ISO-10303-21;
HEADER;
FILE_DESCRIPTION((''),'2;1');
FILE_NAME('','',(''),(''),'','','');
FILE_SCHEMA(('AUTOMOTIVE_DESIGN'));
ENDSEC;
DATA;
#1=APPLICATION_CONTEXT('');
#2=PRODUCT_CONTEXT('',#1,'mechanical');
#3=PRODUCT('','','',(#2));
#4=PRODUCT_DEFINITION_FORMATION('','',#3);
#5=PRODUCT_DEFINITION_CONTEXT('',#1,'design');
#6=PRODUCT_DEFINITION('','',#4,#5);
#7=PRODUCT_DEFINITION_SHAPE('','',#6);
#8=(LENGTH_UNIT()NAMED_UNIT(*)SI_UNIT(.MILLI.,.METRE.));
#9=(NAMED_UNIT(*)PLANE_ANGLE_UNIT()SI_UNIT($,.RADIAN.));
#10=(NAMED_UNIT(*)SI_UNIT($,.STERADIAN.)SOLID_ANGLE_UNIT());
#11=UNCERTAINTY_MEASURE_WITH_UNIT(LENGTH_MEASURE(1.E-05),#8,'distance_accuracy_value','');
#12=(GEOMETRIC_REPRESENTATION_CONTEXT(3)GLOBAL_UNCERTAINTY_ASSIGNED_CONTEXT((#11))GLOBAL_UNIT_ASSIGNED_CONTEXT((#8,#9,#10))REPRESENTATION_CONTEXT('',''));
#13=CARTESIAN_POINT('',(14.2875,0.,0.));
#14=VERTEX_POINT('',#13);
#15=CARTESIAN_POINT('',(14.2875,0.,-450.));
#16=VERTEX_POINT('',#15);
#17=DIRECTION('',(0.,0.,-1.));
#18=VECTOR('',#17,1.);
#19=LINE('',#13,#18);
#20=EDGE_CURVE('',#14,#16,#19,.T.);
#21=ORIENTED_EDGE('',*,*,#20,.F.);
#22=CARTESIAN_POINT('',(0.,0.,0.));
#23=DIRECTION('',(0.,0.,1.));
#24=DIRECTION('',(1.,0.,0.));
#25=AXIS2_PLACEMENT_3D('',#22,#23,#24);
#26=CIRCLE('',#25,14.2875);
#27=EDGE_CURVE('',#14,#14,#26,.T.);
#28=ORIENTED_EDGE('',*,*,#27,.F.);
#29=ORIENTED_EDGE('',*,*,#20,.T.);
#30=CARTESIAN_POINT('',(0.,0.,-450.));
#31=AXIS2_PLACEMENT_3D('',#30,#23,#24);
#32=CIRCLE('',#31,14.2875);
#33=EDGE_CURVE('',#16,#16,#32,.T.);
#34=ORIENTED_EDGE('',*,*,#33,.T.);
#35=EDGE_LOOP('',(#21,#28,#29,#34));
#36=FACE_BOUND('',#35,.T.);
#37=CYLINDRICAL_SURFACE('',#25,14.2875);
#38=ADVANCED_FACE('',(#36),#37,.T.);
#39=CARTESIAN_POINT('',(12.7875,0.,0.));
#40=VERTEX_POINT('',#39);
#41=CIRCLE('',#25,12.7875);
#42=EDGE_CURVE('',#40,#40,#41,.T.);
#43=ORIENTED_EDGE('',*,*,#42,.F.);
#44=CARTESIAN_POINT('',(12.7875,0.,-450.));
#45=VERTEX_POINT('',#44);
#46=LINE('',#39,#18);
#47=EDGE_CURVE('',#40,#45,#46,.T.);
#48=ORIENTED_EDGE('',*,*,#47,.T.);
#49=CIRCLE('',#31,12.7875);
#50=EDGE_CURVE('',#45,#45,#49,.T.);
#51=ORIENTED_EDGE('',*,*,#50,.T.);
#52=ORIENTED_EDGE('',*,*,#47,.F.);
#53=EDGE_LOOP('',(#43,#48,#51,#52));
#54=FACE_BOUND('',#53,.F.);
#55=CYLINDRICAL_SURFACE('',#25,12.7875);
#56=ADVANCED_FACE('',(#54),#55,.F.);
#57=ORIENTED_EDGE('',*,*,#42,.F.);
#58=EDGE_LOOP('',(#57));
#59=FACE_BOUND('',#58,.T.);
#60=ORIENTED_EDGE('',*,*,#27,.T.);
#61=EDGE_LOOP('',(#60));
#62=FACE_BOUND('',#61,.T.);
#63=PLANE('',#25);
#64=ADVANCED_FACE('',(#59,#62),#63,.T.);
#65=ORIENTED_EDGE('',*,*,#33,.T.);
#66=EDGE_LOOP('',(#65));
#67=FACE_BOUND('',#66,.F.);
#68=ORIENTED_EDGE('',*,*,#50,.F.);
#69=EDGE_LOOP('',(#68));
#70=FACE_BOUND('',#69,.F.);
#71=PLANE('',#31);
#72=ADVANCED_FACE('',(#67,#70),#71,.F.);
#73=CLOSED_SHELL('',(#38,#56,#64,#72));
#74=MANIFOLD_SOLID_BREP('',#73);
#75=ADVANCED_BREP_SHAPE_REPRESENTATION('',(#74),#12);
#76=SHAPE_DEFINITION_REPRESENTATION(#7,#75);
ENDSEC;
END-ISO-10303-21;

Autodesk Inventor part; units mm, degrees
ref_plane "YZ Plane" through (0, 0, 0) normal (1, 0, 0) x (0, 1, 0)
ref_plane "XZ Plane" through (0, 0, 0) normal (0, 1, 0) x (-1, 0, 0)
ref_plane "XY Plane" through (0, 0, 0) normal (0, 0, 1) x (1, 0, 0)
sketch "Sketch1" plane through (0, 0, 0) normal (0, 0, 1) x (1, 0, 0)
  circle A0 centre (0, 0) radius 14.2875
  circle A1 centre (0, 0) radius 12.7875
  dimension "d0" = 28.575
  dimension "d4" = 1.5
extrude "Extrusion1" add sketch "Sketch1" against normal blind 450
properties part number "Barra_1_1-8_450" material "Steel, Mild"
